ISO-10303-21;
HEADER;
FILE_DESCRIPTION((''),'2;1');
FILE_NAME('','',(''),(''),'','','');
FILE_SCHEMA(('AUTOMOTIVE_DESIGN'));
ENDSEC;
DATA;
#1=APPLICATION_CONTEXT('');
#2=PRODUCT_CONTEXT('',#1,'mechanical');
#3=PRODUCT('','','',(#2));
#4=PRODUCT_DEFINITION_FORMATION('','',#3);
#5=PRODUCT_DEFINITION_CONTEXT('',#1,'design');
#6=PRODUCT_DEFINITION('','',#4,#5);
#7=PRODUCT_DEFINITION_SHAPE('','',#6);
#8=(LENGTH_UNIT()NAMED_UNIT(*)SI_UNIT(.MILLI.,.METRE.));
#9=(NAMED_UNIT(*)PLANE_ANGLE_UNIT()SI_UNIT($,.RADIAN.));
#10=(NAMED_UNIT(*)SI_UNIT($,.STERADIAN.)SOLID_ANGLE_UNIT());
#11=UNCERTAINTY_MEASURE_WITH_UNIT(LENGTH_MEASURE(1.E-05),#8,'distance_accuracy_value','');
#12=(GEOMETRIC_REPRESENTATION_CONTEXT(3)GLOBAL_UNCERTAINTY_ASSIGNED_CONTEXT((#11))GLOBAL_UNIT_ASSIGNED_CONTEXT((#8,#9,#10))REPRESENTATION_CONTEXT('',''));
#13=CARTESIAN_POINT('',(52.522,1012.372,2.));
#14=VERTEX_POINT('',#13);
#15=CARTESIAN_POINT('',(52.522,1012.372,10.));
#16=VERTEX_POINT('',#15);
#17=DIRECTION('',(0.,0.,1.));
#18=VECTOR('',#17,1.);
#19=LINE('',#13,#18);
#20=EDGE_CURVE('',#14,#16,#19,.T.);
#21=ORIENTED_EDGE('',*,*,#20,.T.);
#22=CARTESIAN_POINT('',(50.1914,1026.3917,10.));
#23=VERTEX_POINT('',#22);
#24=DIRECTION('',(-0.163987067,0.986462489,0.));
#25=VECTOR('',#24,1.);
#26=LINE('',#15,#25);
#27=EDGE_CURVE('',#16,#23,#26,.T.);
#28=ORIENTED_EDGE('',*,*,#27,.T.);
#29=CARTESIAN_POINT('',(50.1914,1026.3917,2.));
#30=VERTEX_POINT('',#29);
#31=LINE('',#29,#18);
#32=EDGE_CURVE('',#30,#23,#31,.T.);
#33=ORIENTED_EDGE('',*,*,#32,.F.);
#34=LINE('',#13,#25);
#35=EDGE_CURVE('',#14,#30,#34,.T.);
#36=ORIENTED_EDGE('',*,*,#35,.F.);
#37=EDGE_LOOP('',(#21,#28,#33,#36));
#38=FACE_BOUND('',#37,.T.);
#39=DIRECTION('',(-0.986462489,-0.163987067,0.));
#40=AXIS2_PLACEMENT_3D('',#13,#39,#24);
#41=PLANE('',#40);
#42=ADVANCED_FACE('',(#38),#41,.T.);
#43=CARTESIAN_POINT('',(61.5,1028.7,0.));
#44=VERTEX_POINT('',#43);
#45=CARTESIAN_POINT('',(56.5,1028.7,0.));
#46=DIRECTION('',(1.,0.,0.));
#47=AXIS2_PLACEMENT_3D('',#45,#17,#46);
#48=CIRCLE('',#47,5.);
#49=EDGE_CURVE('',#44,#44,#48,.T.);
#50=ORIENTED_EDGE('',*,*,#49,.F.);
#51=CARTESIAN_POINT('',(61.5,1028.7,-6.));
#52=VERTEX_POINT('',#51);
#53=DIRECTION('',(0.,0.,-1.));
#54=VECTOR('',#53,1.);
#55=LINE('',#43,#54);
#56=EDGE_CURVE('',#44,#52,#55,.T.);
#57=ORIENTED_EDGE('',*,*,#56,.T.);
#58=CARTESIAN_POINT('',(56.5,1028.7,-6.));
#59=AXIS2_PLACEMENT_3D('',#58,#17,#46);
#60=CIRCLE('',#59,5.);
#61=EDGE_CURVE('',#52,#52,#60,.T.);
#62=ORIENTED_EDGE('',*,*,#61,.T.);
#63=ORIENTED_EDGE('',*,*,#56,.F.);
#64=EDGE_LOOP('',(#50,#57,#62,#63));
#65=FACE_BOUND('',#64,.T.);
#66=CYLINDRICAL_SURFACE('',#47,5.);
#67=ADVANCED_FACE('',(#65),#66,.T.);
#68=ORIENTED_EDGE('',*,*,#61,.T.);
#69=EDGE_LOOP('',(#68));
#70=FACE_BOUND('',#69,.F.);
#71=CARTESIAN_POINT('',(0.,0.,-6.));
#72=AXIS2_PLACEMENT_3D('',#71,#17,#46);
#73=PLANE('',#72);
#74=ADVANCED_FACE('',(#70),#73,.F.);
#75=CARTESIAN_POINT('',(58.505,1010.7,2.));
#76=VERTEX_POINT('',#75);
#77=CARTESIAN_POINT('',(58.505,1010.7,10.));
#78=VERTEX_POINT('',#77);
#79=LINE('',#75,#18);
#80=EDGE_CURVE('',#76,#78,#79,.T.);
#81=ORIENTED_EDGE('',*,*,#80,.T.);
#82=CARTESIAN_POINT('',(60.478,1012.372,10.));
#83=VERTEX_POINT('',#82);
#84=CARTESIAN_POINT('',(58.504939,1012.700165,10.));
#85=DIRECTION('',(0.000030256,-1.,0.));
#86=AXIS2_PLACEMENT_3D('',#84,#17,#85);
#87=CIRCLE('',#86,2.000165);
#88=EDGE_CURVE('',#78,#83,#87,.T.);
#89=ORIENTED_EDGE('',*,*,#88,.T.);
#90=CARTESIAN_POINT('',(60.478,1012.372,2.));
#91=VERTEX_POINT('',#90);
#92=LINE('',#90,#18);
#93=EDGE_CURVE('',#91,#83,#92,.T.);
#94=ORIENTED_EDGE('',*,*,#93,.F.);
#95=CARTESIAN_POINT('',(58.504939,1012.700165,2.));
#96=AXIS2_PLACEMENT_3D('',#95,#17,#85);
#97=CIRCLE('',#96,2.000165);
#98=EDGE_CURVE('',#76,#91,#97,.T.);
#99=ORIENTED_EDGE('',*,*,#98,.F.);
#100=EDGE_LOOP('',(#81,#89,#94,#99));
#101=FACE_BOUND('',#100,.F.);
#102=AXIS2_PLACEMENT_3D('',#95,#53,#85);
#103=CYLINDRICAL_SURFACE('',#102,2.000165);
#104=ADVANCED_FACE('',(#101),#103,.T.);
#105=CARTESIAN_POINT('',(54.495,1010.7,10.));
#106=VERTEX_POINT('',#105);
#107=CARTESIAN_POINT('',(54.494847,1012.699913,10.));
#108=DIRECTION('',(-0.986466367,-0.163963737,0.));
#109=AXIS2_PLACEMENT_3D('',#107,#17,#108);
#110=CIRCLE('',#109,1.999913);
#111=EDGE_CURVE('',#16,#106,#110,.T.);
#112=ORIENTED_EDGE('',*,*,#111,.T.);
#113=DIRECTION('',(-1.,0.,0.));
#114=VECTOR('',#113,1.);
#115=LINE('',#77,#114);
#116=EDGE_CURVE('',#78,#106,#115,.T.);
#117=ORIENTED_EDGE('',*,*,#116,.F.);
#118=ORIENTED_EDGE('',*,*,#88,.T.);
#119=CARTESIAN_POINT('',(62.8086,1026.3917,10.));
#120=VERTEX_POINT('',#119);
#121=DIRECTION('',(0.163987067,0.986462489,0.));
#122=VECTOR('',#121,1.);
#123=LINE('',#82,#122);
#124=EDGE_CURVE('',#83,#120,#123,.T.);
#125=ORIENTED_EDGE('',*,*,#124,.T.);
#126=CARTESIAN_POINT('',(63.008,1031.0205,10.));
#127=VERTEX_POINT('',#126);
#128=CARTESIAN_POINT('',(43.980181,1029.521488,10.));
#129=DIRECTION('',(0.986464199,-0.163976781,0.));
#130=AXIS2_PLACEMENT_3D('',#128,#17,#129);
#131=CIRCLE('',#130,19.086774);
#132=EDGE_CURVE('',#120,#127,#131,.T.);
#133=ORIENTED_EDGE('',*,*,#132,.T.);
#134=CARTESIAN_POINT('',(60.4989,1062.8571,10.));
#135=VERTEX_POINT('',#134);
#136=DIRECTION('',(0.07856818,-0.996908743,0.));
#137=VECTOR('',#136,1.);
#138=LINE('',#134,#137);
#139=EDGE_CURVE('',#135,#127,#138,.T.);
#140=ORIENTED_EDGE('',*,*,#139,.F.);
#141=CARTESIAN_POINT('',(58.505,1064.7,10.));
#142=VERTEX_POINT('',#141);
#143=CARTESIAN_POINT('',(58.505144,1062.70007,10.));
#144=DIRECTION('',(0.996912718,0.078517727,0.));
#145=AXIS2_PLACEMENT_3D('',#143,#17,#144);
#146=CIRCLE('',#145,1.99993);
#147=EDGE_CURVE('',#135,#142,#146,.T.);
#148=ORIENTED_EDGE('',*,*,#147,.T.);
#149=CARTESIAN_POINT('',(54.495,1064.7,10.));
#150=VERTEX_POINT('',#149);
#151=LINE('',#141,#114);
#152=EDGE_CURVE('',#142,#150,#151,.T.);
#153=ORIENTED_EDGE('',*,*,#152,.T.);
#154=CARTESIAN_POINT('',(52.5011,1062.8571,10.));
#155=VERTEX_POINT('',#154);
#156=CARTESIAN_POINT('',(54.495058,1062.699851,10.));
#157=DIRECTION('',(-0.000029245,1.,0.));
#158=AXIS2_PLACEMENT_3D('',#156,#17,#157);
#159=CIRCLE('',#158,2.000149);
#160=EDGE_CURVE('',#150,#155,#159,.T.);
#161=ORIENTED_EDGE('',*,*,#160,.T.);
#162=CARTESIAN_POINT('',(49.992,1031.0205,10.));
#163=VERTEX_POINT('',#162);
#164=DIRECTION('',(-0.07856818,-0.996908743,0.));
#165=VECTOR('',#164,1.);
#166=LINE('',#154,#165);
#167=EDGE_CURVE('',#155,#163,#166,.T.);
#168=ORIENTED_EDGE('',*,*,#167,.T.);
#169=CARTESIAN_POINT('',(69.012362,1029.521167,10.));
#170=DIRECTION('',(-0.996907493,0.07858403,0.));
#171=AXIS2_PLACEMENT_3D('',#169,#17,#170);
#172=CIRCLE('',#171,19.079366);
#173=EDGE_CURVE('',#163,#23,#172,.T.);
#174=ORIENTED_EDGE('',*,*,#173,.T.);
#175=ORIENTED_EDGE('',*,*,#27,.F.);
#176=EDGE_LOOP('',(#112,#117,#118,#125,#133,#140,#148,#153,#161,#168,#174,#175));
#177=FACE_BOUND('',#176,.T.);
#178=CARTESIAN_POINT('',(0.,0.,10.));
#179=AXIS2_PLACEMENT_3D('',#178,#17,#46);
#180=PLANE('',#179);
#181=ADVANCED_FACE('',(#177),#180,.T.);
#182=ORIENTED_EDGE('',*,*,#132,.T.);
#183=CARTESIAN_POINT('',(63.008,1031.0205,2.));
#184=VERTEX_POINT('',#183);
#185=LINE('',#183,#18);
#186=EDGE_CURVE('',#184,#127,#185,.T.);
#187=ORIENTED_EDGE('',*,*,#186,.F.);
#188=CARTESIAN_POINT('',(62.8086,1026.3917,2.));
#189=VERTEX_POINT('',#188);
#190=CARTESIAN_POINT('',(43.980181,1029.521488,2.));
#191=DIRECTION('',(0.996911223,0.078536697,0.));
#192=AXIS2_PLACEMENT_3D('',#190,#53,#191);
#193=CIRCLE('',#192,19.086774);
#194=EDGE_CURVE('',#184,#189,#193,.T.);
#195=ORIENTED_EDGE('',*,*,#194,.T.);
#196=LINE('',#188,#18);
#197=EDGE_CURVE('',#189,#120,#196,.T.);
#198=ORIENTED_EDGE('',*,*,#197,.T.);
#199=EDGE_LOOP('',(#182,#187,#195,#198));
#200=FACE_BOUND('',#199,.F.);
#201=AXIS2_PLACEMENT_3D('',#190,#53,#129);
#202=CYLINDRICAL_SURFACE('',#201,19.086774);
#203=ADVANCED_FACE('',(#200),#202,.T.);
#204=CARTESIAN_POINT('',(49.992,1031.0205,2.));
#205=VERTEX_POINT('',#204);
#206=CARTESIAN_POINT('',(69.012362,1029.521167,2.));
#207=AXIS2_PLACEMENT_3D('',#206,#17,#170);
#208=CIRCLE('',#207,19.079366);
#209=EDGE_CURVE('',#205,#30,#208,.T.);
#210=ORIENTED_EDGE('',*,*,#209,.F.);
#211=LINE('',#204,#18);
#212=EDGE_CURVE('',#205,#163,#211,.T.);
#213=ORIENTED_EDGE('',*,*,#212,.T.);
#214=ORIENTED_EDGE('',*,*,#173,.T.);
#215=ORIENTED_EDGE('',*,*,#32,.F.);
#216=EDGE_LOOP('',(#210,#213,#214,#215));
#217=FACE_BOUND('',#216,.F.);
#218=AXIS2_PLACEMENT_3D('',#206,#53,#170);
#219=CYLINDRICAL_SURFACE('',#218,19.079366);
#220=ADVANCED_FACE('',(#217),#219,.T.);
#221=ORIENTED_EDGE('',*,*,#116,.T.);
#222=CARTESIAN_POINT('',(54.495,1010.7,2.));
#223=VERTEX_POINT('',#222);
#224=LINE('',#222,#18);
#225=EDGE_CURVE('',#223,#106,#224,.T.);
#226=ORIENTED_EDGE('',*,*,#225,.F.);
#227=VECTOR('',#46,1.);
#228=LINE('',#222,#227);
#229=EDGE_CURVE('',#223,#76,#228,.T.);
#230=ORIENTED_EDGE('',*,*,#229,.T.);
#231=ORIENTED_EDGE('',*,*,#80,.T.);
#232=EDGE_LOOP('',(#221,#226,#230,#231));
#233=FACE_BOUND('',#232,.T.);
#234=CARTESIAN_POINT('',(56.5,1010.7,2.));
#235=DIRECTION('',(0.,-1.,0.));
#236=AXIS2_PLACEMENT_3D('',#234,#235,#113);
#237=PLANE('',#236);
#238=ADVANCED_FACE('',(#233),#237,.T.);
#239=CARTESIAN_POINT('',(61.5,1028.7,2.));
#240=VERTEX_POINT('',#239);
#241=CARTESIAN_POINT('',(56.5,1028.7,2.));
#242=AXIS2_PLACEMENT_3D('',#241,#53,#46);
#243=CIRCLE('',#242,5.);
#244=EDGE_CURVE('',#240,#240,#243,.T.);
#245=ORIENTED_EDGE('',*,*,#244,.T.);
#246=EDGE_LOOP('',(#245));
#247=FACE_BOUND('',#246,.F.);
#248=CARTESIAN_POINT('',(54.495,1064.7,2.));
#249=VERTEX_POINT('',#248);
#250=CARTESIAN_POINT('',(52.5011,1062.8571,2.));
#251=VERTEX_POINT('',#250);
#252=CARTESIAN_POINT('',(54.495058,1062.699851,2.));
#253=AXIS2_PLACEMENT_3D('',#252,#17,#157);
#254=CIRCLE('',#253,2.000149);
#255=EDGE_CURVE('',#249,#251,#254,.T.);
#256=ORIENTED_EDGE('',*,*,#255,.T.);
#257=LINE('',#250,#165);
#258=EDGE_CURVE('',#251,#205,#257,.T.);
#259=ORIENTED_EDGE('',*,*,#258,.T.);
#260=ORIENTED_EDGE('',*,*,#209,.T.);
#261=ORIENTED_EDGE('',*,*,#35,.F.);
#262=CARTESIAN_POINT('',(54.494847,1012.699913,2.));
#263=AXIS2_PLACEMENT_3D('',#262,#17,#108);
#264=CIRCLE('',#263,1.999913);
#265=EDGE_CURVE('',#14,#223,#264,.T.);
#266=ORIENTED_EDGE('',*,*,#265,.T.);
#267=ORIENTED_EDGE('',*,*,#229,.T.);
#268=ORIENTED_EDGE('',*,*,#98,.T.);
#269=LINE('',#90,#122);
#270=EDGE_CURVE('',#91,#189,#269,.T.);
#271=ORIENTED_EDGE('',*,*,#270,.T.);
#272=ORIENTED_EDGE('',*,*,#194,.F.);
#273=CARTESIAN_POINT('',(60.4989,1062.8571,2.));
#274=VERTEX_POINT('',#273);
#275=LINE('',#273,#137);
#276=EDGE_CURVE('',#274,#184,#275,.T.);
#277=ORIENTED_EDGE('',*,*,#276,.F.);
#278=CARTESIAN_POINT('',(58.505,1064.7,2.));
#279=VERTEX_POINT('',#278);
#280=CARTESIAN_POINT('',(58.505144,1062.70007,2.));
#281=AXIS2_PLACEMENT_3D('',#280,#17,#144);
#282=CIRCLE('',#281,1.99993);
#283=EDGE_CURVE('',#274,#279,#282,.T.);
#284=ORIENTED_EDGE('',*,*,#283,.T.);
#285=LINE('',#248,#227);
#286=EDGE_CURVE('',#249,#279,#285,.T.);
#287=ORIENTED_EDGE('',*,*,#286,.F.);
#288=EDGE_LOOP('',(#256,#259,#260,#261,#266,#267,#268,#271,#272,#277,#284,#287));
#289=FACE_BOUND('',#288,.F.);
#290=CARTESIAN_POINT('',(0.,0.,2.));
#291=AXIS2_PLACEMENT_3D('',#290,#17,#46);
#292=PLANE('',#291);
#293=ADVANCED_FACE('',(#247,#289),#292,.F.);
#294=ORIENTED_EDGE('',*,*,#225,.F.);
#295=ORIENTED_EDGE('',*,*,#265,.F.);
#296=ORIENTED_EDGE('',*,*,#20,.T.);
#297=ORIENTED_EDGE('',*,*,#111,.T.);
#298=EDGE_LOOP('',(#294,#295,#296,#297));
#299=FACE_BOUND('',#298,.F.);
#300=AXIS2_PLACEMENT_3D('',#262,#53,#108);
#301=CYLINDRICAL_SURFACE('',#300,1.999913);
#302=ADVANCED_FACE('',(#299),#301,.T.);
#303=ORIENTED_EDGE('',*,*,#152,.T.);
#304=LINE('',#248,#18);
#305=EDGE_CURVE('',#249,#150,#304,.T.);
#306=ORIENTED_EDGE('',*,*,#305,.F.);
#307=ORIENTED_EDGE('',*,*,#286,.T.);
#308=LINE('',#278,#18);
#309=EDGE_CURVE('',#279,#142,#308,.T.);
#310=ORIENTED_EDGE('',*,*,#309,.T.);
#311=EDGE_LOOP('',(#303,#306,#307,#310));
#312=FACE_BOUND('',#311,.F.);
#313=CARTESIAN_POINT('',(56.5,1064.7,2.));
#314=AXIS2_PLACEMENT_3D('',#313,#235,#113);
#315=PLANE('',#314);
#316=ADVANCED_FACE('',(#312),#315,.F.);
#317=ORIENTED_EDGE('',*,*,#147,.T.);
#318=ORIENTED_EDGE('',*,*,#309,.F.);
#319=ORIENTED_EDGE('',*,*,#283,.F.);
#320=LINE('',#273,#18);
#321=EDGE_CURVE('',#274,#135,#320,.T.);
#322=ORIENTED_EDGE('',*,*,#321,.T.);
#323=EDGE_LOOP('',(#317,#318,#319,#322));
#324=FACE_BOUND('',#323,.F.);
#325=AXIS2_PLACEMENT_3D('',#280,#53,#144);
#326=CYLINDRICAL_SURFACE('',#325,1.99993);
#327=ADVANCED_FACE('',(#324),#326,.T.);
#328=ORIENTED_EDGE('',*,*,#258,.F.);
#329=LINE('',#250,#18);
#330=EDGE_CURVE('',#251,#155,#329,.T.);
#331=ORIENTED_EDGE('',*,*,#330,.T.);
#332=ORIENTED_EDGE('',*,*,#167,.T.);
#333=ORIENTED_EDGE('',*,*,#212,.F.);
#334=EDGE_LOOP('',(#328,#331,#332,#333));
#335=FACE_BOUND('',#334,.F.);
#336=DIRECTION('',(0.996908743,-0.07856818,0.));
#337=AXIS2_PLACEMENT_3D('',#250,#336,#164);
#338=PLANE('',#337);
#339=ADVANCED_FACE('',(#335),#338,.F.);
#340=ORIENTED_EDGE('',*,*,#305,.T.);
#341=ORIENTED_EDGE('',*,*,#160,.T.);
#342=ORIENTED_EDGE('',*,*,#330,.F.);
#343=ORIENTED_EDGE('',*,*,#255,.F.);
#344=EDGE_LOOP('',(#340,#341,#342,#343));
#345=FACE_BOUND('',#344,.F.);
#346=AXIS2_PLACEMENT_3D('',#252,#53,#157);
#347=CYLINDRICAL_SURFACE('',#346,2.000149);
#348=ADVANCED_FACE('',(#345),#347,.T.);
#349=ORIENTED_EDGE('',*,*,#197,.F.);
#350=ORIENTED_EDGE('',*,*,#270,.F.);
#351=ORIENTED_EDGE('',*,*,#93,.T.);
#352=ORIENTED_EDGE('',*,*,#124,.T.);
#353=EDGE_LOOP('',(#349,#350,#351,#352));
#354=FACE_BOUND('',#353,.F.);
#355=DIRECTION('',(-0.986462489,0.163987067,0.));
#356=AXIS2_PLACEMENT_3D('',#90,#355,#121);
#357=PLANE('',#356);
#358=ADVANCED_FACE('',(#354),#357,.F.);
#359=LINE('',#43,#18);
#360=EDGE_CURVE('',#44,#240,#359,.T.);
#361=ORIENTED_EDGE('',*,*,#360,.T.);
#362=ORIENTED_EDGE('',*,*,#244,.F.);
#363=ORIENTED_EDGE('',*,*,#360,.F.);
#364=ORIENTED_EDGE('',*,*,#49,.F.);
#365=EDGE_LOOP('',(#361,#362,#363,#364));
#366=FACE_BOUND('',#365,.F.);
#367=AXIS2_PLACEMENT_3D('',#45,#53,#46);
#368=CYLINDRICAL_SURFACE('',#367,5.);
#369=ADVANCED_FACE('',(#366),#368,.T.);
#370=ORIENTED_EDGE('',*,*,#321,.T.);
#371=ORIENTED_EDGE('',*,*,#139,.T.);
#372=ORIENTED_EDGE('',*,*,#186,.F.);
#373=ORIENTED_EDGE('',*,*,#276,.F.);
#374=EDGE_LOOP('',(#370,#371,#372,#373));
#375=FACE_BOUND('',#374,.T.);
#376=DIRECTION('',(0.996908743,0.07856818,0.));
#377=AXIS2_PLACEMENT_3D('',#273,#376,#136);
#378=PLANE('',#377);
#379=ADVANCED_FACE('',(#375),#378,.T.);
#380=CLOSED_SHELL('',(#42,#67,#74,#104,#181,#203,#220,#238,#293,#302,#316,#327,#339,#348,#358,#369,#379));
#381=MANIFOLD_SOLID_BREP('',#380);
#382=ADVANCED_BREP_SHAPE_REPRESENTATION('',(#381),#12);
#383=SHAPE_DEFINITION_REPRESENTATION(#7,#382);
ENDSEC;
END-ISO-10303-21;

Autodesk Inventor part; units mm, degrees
ref_plane "YZ Plane" through (0, 0, 0) normal (1, 0, 0) x (0, 1, 0)
ref_plane "XZ Plane" through (0, 0, 0) normal (0, 1, 0) x (-1, 0, 0)
ref_plane "XY Plane" through (0, 0, 0) normal (0, 0, 1) x (1, 0, 0)
sketch "Sketch1" plane through (0, 0, 0) normal (0, 0, 1) x (1, 0, 0)
  line L0 (0, 0) -> (1000, 0)
  line L1 (1000, 0) -> (1000, 2000)
  line L2 (1000, 2000) -> (0, 2000)
  line L3 (0, 2000) -> (0, 0)
  line L4 (0, 0) -> (4, 0)
  line L5 (0, 0) -> (4, 0) construction
  line L6 (4, 0) -> (4, 2000)
  line L7 (4, 0) -> (4, 900)
  line L8 (4, 900) -> (24, 900)
  line L9 (24, 900) -> (56.5, 900)
  circle A0 centre (56.5, 900) radius 32.5
  line L10 (56.5, 932.5) -> (56.5, 1002.5)
  line L11 (56.5, 1002.5) -> (56.5, 1036.1)
  circle A1 centre (56.5, 1036.1) radius 33.6
  line L12 (56.5, 1069.7) -> (56.5, 1037.7)
  line L13 (56.5, 1037.7) -> (56.5, 1064.7)
  line L14 (56.5, 1064.7) -> (56.5, 1028.7)
  line L15 (56.5, 1028.7) -> (56.5, 1010.7)
  line L16 (56.5, 1010.7) -> (58.505, 1010.7)
  line L17 (56.5, 1064.7) -> (58.505, 1064.7)
  line L18 (60.4989, 1062.8571) -> (63.008, 1031.0205)
  line L19 (60.478, 1012.372) -> (62.8086, 1026.3917)
  arc A2 (62.8086, 1026.3917) -> (63.008, 1031.0205) centre (43.9839, 1029.5211) ccw
  arc A3 (60.4989, 1062.8571) -> (58.505, 1064.7) centre (58.505, 1062.7) ccw
  arc A4 (58.505, 1010.7) -> (60.478, 1012.372) centre (58.505, 1012.7) ccw
  line L20 (63.0493, 1028.7) -> (56.5, 1028.7)
  line L21 (56.5, 1064.7) -> (54.495, 1064.7)
  line L22 (52.5011, 1062.8571) -> (49.992, 1031.0205)
  line L23 (52.522, 1012.372) -> (50.1914, 1026.3917)
  arc A5 (49.992, 1031.0205) -> (50.1914, 1026.3917) centre (69.0161, 1029.5211) ccw
  arc A6 (54.495, 1064.7) -> (52.5011, 1062.8571) centre (54.495, 1062.7) ccw
  arc A7 (52.522, 1012.372) -> (54.495, 1010.7) centre (54.495, 1012.7) ccw
  circle A8 centre (56.5, 1028.7) radius 5
  line L24 (56.5, 1010.7) -> (54.495, 1010.7)
  point P0 (60.2, 1010.7)
  point P1 (60.3536, 1064.7)
  point P2 (49.8, 1028.7)
  dimension "d11" = 65
  dimension "d0" = 1000
  dimension "d1" = 2000
  dimension "d2" = 4
  dimension "d8" = 900
  dimension "d9" = 20
  dimension "d10" = 32.5
  dimension "d12" = 70
  dimension "d13" = 33.6
  dimension "d24" = 32
  dimension "d25" = 27
  dimension "d26" = 36
  dimension "d27" = 18
  dimension "d28" = 3.7
  dimension "d31" = 2
  dimension "d32" = 6.5493
  dimension "d33" = 10
extrude "deadbolt axle" add sketch "Sketch1" along normal blind 2 and the other way blind 6 contours A8 L11 | L11 L20 A8 | L11 A8 L20
extrude "deadbolt arm" add sketch "Sketch1" along normal blind 8 from surface at 2 contours L24 A7 L23 A5 L22 A6 L21 L12 L14 L11 A8 | L11 A8 L20 A2 L19 A4 L16 | A8 L11 | L11 L20 A8 | L17 A3 L18 A2 L20 A8 L11 L14 L12 | L11 A8 L20
properties part number "deadbolt arm"
